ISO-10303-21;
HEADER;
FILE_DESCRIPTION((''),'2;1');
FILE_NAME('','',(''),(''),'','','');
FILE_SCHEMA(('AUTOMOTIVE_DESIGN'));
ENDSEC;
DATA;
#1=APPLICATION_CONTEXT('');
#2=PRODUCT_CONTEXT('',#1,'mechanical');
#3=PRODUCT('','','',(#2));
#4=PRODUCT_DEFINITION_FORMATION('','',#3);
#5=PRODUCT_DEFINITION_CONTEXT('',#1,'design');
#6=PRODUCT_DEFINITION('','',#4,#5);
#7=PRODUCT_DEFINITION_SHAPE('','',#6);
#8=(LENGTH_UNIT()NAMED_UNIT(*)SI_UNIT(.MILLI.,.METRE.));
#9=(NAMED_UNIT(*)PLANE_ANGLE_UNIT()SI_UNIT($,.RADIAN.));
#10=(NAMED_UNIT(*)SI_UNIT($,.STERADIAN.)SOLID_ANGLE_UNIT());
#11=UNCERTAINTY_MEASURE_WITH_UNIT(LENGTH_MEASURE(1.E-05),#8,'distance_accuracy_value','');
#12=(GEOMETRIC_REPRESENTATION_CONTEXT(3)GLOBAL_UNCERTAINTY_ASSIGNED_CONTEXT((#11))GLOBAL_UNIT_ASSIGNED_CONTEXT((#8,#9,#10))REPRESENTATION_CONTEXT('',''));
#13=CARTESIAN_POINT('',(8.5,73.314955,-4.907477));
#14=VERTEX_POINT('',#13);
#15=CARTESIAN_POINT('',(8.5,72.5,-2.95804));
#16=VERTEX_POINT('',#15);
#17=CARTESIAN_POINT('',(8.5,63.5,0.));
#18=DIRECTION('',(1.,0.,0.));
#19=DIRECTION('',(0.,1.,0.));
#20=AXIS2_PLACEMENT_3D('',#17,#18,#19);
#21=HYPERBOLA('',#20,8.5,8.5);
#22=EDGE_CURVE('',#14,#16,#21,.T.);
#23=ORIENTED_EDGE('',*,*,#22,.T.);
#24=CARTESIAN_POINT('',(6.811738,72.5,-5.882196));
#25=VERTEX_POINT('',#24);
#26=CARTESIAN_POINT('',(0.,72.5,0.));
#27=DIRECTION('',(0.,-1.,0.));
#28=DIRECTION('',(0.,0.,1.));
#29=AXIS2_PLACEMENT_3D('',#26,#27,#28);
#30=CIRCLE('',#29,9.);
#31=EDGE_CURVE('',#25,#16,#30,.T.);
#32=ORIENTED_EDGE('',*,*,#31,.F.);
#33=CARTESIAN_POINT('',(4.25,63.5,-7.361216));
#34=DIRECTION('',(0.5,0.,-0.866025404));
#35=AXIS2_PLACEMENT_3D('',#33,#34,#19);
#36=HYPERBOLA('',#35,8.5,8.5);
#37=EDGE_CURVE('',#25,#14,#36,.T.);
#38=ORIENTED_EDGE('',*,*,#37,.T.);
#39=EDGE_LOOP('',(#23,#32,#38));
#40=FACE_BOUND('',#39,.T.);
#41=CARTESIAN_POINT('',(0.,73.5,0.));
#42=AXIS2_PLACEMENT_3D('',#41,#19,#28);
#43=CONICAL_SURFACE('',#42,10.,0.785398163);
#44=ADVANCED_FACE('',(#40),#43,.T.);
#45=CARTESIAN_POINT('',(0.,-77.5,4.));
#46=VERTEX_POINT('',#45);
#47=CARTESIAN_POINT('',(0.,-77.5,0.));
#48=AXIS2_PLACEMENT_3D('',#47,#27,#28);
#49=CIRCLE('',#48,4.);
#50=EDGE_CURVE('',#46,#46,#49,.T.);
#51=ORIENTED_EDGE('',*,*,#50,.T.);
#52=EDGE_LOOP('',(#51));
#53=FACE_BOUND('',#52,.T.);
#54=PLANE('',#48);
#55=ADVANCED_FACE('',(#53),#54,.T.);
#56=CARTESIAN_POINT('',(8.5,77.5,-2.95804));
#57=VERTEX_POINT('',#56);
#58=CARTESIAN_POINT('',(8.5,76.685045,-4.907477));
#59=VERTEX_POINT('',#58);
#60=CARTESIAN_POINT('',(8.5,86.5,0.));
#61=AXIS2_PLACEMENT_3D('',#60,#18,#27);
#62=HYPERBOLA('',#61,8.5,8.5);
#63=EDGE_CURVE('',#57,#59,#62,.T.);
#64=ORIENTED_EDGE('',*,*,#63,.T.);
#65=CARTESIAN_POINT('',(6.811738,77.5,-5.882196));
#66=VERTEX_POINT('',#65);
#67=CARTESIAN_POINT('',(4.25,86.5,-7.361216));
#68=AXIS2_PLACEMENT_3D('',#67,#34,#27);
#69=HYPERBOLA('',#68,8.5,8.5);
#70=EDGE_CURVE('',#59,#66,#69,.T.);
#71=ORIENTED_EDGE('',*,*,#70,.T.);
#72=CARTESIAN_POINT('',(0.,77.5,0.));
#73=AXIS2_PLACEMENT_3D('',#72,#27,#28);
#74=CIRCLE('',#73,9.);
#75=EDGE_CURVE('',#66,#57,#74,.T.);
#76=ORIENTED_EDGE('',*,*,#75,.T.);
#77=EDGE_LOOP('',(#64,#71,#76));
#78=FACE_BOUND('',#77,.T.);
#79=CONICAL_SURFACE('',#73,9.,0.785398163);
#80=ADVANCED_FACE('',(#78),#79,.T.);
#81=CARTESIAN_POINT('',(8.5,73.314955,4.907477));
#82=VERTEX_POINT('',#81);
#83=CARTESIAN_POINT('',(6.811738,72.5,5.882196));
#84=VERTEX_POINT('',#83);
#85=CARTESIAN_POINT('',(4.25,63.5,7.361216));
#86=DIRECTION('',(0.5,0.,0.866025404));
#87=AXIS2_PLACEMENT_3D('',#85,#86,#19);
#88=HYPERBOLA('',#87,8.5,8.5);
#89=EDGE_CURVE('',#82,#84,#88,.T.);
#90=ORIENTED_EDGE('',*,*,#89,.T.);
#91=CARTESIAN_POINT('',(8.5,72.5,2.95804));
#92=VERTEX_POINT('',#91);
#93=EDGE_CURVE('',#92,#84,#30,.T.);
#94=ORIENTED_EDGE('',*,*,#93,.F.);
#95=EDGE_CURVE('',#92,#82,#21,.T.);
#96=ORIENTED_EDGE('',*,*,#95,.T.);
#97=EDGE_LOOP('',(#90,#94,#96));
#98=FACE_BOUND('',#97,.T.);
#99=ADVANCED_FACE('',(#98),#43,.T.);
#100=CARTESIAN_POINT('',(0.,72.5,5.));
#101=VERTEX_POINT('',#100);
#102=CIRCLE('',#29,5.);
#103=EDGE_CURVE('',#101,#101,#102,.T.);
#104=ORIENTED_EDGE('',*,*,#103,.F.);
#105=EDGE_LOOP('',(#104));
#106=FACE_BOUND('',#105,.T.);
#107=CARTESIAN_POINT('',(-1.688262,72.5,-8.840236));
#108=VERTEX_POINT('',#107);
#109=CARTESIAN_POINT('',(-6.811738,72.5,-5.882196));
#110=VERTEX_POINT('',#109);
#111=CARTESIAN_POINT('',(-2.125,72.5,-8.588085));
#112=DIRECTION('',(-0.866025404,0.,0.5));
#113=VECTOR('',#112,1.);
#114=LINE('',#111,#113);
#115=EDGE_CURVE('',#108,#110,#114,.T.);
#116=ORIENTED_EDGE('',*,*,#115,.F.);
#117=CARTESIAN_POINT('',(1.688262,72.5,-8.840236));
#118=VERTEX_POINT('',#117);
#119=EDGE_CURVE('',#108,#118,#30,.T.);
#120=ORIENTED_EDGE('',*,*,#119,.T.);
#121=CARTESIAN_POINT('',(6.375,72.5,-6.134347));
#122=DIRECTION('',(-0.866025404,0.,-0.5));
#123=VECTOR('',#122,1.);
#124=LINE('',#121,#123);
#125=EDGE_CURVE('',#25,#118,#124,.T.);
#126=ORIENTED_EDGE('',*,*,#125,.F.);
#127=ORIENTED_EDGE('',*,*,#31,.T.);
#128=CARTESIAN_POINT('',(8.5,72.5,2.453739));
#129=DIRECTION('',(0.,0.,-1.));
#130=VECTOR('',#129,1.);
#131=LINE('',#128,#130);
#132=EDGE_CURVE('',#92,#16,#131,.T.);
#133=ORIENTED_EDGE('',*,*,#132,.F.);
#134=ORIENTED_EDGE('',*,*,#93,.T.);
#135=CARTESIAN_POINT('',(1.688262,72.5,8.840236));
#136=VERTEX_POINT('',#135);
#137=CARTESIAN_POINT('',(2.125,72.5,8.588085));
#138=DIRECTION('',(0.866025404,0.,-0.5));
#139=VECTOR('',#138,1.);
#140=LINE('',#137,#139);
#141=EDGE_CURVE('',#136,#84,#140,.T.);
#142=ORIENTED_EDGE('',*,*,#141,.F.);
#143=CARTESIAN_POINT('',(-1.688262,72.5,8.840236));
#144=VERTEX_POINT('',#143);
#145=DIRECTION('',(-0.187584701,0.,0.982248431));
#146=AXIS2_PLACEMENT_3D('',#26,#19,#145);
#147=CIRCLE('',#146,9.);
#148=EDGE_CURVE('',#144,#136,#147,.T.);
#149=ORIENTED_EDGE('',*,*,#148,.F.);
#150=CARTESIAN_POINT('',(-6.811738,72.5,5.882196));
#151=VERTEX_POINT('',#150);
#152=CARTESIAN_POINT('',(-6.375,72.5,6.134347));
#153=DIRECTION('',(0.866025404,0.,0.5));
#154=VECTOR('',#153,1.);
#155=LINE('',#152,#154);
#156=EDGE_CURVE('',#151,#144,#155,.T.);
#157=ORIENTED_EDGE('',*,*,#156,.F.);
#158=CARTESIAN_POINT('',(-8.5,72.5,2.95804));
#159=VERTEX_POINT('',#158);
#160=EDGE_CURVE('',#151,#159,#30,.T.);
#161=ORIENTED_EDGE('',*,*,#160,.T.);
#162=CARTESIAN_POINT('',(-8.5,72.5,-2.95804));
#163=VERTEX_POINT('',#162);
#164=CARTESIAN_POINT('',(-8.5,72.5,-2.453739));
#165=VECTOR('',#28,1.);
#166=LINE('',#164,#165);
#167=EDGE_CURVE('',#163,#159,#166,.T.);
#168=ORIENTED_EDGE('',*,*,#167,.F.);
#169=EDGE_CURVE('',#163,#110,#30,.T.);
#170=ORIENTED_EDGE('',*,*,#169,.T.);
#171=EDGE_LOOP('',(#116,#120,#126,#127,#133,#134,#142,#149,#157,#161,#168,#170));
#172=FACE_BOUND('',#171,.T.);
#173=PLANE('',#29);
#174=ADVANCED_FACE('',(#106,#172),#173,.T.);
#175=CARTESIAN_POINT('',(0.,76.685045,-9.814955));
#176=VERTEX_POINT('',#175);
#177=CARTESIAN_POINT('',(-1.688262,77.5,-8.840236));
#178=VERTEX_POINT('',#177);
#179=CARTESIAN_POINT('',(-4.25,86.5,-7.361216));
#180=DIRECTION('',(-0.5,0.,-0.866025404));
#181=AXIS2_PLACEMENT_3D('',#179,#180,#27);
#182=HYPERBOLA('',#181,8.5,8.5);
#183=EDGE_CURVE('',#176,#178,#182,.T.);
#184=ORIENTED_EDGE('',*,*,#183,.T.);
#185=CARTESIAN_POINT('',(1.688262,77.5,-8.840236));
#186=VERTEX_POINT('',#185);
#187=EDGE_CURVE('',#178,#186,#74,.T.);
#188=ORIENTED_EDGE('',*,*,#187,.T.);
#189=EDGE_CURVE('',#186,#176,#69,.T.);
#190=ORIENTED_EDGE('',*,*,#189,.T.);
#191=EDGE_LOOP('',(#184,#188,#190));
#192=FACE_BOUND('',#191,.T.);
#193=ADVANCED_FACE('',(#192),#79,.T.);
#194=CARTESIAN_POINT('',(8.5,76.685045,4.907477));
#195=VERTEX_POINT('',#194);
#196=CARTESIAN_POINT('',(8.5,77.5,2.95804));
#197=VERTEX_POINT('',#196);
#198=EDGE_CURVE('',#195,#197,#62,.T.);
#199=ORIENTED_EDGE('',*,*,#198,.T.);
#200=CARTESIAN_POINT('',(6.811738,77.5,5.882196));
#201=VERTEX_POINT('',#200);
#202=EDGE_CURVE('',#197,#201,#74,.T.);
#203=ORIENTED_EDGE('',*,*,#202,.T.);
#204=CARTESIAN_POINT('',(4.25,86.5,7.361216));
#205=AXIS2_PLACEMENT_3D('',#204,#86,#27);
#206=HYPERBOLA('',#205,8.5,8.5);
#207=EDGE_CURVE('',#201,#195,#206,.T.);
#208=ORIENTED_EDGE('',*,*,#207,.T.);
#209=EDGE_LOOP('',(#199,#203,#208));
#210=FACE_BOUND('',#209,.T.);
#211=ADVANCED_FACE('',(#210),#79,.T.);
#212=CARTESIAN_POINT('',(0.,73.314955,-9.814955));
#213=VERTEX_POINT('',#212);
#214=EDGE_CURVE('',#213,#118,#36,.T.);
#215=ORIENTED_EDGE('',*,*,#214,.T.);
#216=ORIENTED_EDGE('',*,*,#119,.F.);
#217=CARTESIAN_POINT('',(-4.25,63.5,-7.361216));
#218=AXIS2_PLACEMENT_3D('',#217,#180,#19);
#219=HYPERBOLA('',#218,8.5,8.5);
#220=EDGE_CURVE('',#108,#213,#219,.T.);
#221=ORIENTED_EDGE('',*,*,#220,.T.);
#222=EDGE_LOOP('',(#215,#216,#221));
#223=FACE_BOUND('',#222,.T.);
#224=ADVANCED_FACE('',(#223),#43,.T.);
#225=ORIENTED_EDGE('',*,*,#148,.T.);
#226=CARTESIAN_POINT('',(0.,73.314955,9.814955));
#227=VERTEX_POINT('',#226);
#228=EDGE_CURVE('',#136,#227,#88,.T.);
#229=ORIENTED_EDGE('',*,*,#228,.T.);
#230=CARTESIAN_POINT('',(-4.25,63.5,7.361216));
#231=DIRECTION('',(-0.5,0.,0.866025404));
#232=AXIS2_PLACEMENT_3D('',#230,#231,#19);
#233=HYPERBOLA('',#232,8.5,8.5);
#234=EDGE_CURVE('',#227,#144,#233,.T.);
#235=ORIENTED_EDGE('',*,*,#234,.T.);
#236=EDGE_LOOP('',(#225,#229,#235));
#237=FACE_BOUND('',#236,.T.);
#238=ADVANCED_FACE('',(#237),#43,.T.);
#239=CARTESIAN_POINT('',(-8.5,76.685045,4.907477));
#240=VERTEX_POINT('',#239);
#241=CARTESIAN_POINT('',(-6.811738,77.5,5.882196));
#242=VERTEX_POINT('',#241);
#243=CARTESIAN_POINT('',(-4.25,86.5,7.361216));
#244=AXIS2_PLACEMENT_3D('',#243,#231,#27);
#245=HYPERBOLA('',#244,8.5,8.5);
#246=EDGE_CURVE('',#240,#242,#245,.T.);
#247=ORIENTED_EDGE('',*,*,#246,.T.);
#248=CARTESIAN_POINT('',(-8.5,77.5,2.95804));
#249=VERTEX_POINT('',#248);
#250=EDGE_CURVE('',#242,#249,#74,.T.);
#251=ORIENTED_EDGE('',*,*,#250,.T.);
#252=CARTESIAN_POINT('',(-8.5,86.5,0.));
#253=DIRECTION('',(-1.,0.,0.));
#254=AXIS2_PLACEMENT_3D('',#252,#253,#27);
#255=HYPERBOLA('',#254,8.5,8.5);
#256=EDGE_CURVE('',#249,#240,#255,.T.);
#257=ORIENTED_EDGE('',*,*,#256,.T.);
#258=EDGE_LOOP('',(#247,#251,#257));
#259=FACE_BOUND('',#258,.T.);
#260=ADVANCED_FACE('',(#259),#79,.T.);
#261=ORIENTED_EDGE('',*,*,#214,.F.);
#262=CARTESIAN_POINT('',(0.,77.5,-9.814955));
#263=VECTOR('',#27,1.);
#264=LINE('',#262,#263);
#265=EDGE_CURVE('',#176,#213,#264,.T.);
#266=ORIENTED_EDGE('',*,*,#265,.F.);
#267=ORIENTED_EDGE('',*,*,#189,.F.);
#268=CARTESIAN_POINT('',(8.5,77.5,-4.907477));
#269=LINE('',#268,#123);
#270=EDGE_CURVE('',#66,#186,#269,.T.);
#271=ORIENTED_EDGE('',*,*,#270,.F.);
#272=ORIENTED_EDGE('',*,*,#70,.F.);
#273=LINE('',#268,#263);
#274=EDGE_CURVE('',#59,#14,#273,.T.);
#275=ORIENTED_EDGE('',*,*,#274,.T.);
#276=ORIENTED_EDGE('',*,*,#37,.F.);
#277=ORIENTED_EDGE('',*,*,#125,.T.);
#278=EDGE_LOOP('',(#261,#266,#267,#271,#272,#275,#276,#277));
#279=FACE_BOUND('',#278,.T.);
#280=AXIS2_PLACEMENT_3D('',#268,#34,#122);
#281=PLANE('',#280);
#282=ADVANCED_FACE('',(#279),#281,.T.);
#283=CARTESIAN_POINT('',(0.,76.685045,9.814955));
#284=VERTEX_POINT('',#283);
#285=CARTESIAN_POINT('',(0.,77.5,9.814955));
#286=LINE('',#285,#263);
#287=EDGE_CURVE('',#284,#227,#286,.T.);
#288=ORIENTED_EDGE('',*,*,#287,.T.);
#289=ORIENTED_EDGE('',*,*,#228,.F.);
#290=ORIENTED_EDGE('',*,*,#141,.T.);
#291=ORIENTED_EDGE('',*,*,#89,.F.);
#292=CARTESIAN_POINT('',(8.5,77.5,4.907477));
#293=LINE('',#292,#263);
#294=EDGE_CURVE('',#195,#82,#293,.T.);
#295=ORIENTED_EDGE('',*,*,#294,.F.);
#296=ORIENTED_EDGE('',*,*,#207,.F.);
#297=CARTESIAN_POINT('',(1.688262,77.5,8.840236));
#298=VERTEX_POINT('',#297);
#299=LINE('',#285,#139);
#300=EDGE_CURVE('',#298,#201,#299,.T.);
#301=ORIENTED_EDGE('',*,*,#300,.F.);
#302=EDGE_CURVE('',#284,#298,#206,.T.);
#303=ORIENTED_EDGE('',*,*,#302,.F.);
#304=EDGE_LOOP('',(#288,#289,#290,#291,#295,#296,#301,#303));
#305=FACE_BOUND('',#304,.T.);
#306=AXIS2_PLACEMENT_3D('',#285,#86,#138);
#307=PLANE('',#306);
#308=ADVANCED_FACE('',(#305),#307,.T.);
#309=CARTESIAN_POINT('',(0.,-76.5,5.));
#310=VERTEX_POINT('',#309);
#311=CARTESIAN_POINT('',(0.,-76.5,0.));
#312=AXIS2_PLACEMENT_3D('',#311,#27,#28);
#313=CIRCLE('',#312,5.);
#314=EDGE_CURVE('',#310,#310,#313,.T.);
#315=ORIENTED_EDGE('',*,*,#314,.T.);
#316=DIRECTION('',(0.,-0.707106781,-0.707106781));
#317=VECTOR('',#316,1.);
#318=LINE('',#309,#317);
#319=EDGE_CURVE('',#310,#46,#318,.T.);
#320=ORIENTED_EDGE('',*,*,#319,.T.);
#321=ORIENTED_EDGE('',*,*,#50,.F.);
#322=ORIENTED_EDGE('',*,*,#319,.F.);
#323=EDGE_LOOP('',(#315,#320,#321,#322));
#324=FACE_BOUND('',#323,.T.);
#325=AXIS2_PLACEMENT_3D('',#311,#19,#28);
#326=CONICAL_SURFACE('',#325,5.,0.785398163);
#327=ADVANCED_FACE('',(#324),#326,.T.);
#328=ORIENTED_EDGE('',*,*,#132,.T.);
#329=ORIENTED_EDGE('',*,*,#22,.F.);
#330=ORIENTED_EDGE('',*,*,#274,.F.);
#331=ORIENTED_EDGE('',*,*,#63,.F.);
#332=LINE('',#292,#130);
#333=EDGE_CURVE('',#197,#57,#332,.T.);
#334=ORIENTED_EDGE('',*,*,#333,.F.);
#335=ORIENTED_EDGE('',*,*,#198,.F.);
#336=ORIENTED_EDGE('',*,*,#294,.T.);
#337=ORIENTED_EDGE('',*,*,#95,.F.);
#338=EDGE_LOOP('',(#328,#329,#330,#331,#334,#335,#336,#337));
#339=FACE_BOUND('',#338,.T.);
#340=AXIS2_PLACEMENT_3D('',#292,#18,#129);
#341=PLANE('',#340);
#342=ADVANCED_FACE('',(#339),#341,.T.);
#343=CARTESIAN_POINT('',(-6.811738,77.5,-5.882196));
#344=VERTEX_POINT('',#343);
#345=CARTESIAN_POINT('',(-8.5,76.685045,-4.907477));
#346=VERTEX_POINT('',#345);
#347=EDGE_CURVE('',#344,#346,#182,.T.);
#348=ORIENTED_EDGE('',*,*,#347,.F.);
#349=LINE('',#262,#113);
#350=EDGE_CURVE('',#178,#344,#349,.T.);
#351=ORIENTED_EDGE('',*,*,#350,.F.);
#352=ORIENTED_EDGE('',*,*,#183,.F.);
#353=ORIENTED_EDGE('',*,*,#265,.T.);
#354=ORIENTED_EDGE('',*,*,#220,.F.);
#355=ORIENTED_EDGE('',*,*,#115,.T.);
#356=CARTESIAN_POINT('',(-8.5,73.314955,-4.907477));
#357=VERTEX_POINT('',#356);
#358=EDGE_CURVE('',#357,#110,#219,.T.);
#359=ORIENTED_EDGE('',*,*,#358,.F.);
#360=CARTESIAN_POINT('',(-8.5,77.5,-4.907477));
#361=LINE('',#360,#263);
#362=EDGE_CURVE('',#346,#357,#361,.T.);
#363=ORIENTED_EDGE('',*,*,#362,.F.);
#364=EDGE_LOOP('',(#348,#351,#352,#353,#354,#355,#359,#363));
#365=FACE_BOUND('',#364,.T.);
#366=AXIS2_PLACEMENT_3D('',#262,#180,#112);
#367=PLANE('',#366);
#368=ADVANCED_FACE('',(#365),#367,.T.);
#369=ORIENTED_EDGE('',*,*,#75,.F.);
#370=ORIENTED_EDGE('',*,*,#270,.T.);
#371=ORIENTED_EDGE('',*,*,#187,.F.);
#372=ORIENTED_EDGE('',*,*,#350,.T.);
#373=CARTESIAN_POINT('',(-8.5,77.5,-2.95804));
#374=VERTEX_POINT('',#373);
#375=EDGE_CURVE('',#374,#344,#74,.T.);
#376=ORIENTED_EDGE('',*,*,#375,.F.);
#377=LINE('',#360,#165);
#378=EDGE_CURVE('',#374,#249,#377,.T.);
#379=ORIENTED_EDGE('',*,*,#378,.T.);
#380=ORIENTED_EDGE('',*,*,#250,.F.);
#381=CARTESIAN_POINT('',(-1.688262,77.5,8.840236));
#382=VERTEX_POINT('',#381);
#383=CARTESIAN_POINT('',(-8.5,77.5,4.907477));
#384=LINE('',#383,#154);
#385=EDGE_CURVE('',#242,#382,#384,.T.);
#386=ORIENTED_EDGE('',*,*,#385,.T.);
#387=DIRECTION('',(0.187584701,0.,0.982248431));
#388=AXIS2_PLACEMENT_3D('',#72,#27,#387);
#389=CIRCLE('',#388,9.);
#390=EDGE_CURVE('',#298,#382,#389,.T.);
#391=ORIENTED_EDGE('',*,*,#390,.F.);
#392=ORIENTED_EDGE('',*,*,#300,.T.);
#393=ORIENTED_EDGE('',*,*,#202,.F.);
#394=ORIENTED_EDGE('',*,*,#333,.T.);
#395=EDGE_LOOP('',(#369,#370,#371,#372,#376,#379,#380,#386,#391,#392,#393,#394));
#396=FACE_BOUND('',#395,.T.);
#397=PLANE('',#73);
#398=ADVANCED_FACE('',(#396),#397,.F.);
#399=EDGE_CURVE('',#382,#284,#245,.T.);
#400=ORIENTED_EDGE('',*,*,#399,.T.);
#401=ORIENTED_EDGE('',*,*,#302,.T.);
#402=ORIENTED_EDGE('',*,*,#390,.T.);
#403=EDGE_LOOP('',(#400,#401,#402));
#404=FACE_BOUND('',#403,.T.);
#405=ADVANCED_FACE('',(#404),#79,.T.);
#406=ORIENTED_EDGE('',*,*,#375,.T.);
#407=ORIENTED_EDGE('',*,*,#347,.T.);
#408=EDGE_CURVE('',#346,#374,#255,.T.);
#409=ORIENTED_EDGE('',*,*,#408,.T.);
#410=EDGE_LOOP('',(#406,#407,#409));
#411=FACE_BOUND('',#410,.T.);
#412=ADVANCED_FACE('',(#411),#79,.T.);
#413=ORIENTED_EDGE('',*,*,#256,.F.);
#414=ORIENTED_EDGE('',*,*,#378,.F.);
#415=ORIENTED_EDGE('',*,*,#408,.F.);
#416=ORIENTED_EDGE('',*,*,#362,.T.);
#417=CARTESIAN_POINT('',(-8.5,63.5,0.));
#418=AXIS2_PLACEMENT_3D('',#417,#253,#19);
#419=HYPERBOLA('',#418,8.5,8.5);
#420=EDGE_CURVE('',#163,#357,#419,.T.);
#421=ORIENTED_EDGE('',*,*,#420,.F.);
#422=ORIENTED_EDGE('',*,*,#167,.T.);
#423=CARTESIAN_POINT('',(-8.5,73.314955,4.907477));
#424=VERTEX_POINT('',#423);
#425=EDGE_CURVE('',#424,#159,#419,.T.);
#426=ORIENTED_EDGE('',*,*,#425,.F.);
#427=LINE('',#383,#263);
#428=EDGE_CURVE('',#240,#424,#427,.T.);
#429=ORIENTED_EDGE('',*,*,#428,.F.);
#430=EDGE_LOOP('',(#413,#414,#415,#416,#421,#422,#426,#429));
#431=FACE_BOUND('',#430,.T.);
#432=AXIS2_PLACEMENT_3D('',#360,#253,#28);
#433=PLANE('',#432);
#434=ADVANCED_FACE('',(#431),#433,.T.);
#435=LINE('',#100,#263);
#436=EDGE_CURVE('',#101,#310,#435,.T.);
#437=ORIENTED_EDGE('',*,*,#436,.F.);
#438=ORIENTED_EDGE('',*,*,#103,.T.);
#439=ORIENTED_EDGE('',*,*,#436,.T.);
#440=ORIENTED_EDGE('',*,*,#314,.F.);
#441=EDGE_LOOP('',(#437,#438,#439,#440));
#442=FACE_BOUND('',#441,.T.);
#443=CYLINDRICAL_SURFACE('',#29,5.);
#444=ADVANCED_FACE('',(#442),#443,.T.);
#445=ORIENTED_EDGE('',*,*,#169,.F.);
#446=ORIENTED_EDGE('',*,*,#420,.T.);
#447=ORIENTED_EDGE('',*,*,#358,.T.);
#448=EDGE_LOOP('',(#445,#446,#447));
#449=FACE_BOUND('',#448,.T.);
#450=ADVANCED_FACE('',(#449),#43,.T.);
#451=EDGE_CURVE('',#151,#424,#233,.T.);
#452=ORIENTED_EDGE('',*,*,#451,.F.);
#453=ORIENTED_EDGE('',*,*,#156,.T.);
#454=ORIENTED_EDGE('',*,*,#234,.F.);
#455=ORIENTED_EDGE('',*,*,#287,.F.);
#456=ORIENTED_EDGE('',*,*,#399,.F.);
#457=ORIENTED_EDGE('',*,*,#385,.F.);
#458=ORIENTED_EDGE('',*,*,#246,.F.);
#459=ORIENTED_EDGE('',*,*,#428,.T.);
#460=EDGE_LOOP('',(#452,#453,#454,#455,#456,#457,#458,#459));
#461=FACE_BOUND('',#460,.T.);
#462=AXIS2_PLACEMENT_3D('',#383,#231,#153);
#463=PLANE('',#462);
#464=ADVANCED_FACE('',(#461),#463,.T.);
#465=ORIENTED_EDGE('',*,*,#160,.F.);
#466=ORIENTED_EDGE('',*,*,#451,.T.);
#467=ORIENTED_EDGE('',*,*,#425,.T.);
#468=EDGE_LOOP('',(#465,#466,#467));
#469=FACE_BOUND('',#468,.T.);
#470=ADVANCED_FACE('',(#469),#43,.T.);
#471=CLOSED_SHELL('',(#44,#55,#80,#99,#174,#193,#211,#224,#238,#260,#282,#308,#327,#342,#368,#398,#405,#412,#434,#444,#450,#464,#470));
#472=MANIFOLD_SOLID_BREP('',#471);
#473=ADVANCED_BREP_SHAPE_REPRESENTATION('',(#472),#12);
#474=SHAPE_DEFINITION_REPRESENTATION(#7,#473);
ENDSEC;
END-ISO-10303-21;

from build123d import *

# Parameters (mm, degrees)
CUT_EXTRUDE1_REACH = 157.644
SKETCH3_R          = 15.443252693


with BuildPart() as part:
    # Sketch2 → Revolve1 (revolve)
    with BuildSketch(Plane(origin=(0, 0, 0), x_dir=(0, 0, -1), z_dir=(1, 0, 0))):
        Polygon((-10, 76.5), (-10, 73.5), (-9, 72.5), (-5, 72.5), (-5, -76.5), (-4, -77.5), (0, -77.5), (0, 77.5), (-9, 77.5), align=None)
    revolve(axis=Axis((0, 23.60486684, 0), (0, -1, 0)))

    # Cut-Extrude1: up to this face of the body (flat: up to its plane)
    cut_extrude1_end = Plane(part.part.faces().sort_by_distance((0, 72.5, -8.745441559))[0])
    # Sketch3 → Cut-Extrude1 (cut, up to the picked face)
    with BuildSketch(Plane(origin=(0, 77.5, 0), x_dir=(1, 0, 0), z_dir=(0, 1, 0)), mode=Mode.PRIVATE) as cut_extrude1_sk1:
        Circle(SKETCH3_R)
        Polygon((0, -9.814954576), (8.5, -4.907477288), (8.5, 4.907477288), (0, 9.814954576), (-8.5, 4.907477288), (-8.5, -4.907477288), align=None, mode=Mode.SUBTRACT)
    cut_extrude1_tool1 = split(extrude(cut_extrude1_sk1.sketch, amount=-CUT_EXTRUDE1_REACH, mode=Mode.PRIVATE), bisect_by=cut_extrude1_end, keep=Keep.BOTH, mode=Mode.PRIVATE)
    add(cut_extrude1_tool1.solids().sort_by(Axis((-15.006452, 77.5, 0), (0, -1, 0)))[0], mode=Mode.SUBTRACT)


solid = part.part
